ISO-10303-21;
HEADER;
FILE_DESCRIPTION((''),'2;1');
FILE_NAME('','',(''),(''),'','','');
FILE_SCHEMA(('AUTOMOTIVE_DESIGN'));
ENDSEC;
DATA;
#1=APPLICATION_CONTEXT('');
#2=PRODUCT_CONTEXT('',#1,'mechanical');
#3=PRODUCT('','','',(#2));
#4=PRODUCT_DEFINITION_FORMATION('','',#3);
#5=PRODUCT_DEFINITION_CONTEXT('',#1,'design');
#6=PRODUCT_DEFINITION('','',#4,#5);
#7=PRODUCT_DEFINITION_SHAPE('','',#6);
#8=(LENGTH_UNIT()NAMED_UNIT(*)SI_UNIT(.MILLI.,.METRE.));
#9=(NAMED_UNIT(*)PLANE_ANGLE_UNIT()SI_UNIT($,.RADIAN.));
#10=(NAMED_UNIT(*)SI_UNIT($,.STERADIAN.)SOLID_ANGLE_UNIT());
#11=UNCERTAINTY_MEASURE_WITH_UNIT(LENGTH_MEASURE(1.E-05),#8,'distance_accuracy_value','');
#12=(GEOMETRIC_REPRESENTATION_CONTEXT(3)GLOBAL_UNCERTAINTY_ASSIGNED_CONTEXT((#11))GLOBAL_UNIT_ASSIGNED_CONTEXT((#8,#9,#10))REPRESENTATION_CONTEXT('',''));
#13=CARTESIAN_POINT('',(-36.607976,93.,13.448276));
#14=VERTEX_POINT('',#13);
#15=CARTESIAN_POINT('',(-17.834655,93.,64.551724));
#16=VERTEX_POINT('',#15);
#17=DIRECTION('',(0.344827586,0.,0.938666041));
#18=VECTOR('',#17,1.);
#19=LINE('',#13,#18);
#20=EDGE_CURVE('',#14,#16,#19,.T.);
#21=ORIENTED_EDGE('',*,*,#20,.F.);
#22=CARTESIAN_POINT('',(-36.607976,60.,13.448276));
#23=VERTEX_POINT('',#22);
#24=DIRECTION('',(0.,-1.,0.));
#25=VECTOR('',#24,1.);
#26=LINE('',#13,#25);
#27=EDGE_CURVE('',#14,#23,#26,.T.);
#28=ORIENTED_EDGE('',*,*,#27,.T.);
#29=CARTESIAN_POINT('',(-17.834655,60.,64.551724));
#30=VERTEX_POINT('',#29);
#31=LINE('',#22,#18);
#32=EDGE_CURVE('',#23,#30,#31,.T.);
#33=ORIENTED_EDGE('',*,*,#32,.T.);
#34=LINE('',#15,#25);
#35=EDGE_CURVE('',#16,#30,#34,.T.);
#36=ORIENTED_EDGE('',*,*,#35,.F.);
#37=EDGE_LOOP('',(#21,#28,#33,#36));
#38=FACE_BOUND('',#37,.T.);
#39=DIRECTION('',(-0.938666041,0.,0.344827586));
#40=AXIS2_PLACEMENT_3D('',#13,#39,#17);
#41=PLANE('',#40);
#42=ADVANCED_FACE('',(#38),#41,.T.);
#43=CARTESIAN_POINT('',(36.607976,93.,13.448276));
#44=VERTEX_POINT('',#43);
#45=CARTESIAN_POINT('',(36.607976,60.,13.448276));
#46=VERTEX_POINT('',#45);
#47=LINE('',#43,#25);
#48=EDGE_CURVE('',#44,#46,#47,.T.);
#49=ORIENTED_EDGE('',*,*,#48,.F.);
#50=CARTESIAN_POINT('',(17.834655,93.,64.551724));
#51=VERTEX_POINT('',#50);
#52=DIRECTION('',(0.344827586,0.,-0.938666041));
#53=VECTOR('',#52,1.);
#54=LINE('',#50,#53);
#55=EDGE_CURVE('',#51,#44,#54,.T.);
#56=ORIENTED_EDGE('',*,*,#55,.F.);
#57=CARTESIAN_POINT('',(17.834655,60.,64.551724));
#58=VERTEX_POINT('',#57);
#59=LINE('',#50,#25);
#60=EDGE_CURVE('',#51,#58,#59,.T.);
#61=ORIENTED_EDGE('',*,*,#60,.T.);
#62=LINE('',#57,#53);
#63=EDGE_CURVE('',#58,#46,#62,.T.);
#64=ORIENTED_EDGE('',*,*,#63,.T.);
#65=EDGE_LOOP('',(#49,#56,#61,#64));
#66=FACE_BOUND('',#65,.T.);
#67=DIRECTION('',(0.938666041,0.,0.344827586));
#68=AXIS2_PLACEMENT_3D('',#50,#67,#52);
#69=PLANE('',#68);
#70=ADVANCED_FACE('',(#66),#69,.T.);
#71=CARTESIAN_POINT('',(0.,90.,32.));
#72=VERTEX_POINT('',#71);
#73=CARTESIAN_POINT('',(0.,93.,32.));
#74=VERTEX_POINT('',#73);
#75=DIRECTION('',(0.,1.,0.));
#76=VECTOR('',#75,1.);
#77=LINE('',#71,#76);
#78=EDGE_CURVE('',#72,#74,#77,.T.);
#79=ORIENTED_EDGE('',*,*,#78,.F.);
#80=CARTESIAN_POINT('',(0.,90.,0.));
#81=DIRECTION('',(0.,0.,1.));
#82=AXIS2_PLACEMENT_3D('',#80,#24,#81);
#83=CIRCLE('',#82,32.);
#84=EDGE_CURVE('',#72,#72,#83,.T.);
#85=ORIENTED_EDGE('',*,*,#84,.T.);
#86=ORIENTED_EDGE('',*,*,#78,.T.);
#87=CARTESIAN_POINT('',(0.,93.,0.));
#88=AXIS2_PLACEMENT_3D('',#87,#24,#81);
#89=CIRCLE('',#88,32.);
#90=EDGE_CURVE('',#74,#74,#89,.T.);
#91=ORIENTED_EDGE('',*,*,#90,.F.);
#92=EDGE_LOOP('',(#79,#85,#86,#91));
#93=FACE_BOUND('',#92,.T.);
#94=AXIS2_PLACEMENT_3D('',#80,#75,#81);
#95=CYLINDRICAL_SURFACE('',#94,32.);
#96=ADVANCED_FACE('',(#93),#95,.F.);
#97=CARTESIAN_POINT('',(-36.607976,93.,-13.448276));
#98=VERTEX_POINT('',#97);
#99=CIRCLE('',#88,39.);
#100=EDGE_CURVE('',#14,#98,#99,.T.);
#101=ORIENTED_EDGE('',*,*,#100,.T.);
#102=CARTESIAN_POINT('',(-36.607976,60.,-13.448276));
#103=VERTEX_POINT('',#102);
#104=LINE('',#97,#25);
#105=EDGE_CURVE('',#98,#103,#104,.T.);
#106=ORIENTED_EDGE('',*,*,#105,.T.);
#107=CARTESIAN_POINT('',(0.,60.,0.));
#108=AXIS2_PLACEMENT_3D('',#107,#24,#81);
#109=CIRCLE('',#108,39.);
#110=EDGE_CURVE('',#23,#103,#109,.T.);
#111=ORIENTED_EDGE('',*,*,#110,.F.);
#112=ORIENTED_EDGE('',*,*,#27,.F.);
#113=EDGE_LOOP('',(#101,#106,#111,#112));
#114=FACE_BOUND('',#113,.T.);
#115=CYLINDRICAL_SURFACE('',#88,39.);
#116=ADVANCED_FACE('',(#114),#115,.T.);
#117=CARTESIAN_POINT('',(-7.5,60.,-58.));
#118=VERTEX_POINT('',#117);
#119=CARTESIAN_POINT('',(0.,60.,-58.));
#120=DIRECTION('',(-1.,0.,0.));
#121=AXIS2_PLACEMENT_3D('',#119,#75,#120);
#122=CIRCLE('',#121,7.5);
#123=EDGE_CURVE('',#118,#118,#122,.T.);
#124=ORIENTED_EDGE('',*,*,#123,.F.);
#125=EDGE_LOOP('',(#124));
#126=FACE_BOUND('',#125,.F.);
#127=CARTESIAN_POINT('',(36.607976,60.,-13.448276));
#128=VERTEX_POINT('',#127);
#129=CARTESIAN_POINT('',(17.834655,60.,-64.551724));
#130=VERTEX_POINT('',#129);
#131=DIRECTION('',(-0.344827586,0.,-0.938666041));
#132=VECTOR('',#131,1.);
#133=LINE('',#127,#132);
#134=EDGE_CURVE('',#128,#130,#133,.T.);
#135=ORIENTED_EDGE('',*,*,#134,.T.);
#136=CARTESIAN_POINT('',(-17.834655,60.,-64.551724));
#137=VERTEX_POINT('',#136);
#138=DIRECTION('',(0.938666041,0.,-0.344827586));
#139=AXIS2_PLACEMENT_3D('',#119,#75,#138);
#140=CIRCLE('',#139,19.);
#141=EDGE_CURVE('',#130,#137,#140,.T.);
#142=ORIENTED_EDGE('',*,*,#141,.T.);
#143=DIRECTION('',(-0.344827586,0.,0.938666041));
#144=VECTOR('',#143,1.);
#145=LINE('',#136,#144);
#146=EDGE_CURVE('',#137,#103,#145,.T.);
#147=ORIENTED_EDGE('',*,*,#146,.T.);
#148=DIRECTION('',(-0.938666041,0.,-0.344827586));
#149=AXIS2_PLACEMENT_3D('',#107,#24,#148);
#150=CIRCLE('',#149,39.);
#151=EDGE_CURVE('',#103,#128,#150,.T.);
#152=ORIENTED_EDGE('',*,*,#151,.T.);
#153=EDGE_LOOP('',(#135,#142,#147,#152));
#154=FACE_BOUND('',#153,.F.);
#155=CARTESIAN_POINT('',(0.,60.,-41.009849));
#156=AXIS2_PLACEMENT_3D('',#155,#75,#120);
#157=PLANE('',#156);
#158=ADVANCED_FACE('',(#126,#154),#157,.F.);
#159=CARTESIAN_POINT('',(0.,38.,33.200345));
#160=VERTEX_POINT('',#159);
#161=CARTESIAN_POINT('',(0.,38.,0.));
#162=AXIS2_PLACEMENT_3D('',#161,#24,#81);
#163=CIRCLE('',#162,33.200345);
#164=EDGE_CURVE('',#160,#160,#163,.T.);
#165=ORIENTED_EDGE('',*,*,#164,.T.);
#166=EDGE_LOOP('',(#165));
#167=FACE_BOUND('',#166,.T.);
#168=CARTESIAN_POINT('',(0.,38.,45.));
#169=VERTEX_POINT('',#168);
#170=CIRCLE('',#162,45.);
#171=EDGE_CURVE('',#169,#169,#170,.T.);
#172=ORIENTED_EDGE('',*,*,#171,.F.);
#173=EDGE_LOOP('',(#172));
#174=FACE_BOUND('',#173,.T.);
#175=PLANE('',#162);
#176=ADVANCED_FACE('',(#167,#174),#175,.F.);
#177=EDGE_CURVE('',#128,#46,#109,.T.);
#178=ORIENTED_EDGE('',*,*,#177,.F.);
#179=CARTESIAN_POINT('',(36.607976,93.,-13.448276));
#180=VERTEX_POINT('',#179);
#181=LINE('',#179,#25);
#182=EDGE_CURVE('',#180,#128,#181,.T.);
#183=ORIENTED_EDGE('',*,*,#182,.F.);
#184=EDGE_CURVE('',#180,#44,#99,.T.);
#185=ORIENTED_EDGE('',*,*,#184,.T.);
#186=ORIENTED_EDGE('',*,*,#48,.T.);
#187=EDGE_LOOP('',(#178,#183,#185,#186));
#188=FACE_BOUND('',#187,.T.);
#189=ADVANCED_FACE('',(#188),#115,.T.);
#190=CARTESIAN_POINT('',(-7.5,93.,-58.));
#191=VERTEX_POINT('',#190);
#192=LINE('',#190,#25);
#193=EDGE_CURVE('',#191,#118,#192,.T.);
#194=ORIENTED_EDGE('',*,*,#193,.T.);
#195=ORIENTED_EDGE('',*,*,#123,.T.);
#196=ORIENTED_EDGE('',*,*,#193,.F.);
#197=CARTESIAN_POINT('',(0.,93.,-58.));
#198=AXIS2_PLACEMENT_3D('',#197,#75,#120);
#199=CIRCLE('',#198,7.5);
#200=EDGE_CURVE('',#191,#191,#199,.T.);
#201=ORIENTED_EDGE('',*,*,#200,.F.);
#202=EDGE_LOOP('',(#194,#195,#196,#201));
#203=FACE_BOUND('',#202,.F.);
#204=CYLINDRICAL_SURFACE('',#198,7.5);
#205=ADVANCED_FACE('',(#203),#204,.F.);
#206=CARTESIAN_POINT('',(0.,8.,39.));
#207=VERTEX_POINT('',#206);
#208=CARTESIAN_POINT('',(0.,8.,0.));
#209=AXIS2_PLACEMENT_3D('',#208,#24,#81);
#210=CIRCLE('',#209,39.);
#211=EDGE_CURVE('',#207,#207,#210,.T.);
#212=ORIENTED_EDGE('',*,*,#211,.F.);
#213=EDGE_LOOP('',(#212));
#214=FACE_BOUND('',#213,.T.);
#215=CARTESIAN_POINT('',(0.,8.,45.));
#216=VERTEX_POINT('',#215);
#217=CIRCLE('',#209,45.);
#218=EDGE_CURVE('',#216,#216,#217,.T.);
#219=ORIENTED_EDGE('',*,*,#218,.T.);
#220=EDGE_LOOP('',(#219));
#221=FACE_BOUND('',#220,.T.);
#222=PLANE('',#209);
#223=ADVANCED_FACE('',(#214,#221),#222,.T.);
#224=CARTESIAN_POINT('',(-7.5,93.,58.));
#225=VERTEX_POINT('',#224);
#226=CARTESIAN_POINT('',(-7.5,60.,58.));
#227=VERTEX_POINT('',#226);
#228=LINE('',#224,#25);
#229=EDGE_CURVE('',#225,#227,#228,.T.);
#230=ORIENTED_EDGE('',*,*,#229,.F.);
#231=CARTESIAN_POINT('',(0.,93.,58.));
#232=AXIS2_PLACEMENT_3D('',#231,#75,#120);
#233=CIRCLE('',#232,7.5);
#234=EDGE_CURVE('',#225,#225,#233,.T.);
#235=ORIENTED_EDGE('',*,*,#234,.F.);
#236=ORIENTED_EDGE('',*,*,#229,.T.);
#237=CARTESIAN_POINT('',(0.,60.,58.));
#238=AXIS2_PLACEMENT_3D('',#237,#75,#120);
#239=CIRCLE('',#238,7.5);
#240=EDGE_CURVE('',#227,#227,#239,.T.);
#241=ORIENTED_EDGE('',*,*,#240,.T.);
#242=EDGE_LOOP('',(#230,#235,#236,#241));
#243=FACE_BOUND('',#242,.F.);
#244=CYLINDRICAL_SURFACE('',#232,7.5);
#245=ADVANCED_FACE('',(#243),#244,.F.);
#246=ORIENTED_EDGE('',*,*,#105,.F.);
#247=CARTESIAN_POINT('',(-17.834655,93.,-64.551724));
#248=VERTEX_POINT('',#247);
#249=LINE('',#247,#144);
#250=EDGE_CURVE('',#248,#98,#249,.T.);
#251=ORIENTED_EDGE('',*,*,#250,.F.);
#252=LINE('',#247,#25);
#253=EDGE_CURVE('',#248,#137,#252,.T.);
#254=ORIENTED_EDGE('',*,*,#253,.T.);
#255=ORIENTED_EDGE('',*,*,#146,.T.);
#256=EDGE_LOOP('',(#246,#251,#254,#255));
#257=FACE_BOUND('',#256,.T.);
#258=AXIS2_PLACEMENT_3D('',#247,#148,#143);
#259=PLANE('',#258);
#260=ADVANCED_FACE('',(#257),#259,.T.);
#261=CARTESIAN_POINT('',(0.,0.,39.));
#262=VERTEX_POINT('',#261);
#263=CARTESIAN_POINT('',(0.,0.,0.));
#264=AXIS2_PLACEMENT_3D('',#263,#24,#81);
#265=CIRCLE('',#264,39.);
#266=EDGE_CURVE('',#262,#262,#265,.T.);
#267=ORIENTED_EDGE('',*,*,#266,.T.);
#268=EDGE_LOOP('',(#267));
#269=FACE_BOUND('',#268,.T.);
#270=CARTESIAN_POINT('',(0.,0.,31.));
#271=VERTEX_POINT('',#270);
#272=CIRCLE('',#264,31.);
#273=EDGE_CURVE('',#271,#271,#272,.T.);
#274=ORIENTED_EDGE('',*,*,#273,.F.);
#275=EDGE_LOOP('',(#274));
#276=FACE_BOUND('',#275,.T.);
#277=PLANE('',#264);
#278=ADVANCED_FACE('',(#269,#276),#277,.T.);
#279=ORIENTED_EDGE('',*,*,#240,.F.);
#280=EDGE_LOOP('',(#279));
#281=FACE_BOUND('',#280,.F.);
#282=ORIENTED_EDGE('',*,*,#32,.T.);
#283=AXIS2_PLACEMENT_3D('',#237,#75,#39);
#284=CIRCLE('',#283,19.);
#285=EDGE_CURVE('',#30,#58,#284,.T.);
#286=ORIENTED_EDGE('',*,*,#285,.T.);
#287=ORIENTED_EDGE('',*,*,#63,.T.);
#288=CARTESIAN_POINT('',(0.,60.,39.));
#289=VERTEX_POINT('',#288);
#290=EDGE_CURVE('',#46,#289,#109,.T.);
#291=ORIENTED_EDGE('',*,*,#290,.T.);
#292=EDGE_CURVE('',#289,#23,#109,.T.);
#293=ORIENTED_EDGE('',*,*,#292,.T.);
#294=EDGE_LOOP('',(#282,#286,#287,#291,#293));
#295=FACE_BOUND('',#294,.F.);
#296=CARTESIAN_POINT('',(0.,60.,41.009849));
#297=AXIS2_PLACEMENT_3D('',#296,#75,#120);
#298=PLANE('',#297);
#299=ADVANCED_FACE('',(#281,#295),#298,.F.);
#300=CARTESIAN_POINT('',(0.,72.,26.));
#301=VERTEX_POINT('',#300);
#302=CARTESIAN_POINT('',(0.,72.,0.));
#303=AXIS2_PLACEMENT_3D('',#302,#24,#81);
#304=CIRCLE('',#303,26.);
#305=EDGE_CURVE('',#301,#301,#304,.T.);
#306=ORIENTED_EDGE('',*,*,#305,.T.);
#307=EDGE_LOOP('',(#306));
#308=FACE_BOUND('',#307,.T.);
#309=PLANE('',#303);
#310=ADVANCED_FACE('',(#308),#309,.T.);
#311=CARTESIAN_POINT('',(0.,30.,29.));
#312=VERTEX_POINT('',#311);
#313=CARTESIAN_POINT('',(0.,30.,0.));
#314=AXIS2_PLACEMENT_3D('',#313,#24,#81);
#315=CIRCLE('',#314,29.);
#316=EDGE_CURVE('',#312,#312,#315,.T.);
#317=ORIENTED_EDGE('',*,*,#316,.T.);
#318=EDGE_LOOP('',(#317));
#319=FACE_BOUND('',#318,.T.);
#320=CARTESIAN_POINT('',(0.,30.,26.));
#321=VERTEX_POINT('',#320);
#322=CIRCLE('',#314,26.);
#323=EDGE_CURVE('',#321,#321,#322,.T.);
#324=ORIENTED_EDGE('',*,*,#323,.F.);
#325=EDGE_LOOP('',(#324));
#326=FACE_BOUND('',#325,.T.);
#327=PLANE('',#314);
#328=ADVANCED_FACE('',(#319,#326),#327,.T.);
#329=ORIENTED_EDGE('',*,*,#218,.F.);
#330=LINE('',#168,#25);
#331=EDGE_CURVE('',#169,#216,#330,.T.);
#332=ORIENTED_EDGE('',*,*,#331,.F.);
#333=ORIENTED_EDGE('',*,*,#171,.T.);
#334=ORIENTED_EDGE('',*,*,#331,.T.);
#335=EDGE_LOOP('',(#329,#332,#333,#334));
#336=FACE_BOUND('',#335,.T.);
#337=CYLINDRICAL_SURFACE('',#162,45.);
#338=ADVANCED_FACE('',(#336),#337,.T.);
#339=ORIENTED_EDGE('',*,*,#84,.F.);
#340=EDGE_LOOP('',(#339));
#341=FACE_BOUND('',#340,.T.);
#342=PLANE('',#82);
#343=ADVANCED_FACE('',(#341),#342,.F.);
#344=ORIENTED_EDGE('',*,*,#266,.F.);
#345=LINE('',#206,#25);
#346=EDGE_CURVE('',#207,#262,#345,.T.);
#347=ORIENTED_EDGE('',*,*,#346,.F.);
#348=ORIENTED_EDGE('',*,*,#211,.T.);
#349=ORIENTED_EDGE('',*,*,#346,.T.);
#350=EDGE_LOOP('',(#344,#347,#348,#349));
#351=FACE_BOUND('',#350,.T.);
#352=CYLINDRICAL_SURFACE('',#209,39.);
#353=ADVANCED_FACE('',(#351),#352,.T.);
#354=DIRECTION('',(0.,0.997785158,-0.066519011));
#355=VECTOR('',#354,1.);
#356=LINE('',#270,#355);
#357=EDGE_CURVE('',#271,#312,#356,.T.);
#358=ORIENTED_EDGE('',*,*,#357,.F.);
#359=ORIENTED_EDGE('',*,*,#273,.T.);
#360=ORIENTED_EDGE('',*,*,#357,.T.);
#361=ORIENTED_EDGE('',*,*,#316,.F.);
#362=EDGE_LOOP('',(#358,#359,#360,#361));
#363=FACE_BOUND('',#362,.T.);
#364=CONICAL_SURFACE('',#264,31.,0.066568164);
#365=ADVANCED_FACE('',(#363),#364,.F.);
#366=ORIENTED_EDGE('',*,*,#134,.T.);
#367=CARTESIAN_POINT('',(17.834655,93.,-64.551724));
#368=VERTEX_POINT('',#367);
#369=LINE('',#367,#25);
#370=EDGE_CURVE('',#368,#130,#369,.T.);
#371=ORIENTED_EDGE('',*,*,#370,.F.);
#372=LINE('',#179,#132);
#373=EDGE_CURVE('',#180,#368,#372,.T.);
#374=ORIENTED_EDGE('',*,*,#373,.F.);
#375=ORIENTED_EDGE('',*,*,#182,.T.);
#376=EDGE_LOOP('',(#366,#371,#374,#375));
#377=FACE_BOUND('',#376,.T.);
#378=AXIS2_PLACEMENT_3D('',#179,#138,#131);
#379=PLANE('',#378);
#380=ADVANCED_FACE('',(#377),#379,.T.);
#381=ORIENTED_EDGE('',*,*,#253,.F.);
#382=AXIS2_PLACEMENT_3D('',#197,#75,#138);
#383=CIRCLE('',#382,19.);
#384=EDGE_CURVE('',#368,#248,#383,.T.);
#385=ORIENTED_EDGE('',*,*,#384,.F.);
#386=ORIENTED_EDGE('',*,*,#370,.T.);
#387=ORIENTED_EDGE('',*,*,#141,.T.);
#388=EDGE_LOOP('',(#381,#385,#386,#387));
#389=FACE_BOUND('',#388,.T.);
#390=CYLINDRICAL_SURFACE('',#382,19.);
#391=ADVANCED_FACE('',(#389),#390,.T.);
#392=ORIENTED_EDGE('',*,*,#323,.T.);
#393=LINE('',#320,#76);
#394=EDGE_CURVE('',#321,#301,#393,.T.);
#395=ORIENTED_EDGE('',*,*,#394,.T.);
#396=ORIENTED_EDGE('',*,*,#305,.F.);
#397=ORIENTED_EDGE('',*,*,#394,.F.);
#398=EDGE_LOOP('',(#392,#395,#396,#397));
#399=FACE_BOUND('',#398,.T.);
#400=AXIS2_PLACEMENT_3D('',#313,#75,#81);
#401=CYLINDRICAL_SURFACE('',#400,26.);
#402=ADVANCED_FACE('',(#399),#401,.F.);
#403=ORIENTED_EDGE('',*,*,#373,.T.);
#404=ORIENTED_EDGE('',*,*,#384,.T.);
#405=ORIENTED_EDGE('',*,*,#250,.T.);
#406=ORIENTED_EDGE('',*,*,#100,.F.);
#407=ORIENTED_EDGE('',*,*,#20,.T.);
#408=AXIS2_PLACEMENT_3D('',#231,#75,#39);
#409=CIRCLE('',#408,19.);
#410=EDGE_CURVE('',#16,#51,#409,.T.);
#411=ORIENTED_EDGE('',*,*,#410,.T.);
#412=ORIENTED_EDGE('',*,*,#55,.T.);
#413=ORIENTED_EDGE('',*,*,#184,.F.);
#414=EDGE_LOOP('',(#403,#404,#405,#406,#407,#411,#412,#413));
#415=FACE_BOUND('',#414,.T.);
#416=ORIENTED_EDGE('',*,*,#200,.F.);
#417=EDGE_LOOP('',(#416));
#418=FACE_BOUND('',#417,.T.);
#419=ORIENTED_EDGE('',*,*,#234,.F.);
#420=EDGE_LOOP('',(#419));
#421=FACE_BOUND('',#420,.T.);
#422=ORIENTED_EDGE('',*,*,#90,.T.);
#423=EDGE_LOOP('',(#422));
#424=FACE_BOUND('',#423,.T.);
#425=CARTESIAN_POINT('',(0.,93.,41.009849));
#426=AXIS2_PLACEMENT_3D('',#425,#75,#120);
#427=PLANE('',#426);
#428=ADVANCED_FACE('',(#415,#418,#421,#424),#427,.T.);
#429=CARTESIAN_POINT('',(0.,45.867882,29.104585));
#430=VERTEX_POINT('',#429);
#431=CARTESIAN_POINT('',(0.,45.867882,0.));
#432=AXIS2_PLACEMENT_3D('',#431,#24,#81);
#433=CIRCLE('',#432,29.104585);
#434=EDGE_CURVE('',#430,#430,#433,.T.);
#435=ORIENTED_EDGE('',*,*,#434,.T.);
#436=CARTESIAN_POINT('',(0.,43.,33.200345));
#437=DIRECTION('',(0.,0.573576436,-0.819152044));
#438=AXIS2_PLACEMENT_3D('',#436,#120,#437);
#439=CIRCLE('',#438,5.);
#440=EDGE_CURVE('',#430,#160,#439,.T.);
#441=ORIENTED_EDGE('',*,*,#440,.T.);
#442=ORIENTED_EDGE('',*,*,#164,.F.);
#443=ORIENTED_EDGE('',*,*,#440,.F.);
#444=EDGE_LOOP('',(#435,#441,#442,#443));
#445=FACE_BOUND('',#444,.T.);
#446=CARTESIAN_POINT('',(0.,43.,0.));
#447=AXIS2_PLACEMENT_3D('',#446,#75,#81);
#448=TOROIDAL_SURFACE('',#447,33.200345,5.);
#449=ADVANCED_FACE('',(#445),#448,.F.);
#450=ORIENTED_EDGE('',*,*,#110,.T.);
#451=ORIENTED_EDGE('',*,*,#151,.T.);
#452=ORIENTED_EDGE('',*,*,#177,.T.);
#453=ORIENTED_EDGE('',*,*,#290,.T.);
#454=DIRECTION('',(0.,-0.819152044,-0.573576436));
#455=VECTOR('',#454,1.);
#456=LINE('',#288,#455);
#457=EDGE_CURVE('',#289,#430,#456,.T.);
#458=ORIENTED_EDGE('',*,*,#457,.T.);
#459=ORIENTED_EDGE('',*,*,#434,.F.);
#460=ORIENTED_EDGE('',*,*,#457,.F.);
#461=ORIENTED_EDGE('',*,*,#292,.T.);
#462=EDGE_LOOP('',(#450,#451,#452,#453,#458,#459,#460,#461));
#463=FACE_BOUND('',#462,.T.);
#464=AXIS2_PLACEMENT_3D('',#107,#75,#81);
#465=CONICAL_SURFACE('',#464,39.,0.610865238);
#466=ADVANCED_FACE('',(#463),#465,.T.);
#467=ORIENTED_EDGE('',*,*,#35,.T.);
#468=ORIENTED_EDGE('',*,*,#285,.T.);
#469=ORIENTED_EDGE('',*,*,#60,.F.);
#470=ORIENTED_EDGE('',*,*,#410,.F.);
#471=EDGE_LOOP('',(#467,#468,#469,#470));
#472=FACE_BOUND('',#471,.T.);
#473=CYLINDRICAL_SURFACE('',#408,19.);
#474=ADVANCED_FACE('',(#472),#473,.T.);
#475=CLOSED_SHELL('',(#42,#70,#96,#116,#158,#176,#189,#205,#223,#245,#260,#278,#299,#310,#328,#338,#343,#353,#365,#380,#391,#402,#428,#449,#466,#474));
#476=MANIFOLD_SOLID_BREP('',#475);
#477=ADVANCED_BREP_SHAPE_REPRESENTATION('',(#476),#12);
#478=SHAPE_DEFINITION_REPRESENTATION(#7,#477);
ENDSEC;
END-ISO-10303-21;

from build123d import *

# Parameters (mm, degrees)
F2_R     = 7.5
F3_DEPTH = 33


with BuildPart() as f1:
    # F0 (on Right) → F1 (revolve)
    with BuildSketch(Plane.YZ):
        with BuildLine():
            Line((0, 39), (0, 31))
            Line((0, 31), (30, 29))
            Line((30, 29), (30, 26))
            Line((30, 26), (72, 26))
            Line((72, 26), (72, 0))
            Line((72, 0), (90, 0))
            Line((90, 0), (90, 32))
            Line((90, 32), (93, 32))
            Line((93, 32), (93, 39))
            Line((93, 39), (60, 39))
            Line((60, 39), (45.8678821818, 29.1045845728))
            ThreePointArc((45.8678821818, 29.1045845728), (40.6912569338, 28.7652906284), (38, 33.2003447942))
            Line((38, 33.2003447942), (38, 45))
            Line((38, 45), (8, 45))
            Line((8, 45), (8, 39))
            Line((8, 39), (0, 39))
        make_face()
    revolve(axis=Axis((0, 81, 0), (0, -1, 0)))

    # F2 (on face) → F3 (join)
    with BuildSketch(Plane(origin=(0, 93, 0), x_dir=(-1, 0, 0), z_dir=(0, 1, 0))):
        with BuildLine():
            Line((36.6079755837, 13.4482758621), (17.8346547716, 64.5517241379))
            ThreePointArc((17.8346547716, 64.5517241379), (0, 77), (-17.8346547716, 64.5517241379))
            Line((-17.8346547716, 64.5517241379), (-36.6079755837, 13.4482758621))
            ThreePointArc((-36.6079755837, 13.4482758621), (0, 39), (36.6079755837, 13.4482758621))
        make_face()
        with Locations((0, 58)):
            Circle(F2_R, mode=Mode.SUBTRACT)
        with BuildLine():
            ThreePointArc((36.6079755837, -13.4482758621), (0, -39), (-36.6079755837, -13.4482758621))
            Line((-36.6079755837, -13.4482758621), (-17.8346547716, -64.5517241379))
            ThreePointArc((-17.8346547716, -64.5517241379), (0, -77), (17.8346547716, -64.5517241379))
            Line((17.8346547716, -64.5517241379), (36.6079755837, -13.4482758621))
        make_face()
        with Locations((0, -58)):
            Circle(F2_R, mode=Mode.SUBTRACT)
    extrude(amount=-F3_DEPTH)


solid = f1.part
